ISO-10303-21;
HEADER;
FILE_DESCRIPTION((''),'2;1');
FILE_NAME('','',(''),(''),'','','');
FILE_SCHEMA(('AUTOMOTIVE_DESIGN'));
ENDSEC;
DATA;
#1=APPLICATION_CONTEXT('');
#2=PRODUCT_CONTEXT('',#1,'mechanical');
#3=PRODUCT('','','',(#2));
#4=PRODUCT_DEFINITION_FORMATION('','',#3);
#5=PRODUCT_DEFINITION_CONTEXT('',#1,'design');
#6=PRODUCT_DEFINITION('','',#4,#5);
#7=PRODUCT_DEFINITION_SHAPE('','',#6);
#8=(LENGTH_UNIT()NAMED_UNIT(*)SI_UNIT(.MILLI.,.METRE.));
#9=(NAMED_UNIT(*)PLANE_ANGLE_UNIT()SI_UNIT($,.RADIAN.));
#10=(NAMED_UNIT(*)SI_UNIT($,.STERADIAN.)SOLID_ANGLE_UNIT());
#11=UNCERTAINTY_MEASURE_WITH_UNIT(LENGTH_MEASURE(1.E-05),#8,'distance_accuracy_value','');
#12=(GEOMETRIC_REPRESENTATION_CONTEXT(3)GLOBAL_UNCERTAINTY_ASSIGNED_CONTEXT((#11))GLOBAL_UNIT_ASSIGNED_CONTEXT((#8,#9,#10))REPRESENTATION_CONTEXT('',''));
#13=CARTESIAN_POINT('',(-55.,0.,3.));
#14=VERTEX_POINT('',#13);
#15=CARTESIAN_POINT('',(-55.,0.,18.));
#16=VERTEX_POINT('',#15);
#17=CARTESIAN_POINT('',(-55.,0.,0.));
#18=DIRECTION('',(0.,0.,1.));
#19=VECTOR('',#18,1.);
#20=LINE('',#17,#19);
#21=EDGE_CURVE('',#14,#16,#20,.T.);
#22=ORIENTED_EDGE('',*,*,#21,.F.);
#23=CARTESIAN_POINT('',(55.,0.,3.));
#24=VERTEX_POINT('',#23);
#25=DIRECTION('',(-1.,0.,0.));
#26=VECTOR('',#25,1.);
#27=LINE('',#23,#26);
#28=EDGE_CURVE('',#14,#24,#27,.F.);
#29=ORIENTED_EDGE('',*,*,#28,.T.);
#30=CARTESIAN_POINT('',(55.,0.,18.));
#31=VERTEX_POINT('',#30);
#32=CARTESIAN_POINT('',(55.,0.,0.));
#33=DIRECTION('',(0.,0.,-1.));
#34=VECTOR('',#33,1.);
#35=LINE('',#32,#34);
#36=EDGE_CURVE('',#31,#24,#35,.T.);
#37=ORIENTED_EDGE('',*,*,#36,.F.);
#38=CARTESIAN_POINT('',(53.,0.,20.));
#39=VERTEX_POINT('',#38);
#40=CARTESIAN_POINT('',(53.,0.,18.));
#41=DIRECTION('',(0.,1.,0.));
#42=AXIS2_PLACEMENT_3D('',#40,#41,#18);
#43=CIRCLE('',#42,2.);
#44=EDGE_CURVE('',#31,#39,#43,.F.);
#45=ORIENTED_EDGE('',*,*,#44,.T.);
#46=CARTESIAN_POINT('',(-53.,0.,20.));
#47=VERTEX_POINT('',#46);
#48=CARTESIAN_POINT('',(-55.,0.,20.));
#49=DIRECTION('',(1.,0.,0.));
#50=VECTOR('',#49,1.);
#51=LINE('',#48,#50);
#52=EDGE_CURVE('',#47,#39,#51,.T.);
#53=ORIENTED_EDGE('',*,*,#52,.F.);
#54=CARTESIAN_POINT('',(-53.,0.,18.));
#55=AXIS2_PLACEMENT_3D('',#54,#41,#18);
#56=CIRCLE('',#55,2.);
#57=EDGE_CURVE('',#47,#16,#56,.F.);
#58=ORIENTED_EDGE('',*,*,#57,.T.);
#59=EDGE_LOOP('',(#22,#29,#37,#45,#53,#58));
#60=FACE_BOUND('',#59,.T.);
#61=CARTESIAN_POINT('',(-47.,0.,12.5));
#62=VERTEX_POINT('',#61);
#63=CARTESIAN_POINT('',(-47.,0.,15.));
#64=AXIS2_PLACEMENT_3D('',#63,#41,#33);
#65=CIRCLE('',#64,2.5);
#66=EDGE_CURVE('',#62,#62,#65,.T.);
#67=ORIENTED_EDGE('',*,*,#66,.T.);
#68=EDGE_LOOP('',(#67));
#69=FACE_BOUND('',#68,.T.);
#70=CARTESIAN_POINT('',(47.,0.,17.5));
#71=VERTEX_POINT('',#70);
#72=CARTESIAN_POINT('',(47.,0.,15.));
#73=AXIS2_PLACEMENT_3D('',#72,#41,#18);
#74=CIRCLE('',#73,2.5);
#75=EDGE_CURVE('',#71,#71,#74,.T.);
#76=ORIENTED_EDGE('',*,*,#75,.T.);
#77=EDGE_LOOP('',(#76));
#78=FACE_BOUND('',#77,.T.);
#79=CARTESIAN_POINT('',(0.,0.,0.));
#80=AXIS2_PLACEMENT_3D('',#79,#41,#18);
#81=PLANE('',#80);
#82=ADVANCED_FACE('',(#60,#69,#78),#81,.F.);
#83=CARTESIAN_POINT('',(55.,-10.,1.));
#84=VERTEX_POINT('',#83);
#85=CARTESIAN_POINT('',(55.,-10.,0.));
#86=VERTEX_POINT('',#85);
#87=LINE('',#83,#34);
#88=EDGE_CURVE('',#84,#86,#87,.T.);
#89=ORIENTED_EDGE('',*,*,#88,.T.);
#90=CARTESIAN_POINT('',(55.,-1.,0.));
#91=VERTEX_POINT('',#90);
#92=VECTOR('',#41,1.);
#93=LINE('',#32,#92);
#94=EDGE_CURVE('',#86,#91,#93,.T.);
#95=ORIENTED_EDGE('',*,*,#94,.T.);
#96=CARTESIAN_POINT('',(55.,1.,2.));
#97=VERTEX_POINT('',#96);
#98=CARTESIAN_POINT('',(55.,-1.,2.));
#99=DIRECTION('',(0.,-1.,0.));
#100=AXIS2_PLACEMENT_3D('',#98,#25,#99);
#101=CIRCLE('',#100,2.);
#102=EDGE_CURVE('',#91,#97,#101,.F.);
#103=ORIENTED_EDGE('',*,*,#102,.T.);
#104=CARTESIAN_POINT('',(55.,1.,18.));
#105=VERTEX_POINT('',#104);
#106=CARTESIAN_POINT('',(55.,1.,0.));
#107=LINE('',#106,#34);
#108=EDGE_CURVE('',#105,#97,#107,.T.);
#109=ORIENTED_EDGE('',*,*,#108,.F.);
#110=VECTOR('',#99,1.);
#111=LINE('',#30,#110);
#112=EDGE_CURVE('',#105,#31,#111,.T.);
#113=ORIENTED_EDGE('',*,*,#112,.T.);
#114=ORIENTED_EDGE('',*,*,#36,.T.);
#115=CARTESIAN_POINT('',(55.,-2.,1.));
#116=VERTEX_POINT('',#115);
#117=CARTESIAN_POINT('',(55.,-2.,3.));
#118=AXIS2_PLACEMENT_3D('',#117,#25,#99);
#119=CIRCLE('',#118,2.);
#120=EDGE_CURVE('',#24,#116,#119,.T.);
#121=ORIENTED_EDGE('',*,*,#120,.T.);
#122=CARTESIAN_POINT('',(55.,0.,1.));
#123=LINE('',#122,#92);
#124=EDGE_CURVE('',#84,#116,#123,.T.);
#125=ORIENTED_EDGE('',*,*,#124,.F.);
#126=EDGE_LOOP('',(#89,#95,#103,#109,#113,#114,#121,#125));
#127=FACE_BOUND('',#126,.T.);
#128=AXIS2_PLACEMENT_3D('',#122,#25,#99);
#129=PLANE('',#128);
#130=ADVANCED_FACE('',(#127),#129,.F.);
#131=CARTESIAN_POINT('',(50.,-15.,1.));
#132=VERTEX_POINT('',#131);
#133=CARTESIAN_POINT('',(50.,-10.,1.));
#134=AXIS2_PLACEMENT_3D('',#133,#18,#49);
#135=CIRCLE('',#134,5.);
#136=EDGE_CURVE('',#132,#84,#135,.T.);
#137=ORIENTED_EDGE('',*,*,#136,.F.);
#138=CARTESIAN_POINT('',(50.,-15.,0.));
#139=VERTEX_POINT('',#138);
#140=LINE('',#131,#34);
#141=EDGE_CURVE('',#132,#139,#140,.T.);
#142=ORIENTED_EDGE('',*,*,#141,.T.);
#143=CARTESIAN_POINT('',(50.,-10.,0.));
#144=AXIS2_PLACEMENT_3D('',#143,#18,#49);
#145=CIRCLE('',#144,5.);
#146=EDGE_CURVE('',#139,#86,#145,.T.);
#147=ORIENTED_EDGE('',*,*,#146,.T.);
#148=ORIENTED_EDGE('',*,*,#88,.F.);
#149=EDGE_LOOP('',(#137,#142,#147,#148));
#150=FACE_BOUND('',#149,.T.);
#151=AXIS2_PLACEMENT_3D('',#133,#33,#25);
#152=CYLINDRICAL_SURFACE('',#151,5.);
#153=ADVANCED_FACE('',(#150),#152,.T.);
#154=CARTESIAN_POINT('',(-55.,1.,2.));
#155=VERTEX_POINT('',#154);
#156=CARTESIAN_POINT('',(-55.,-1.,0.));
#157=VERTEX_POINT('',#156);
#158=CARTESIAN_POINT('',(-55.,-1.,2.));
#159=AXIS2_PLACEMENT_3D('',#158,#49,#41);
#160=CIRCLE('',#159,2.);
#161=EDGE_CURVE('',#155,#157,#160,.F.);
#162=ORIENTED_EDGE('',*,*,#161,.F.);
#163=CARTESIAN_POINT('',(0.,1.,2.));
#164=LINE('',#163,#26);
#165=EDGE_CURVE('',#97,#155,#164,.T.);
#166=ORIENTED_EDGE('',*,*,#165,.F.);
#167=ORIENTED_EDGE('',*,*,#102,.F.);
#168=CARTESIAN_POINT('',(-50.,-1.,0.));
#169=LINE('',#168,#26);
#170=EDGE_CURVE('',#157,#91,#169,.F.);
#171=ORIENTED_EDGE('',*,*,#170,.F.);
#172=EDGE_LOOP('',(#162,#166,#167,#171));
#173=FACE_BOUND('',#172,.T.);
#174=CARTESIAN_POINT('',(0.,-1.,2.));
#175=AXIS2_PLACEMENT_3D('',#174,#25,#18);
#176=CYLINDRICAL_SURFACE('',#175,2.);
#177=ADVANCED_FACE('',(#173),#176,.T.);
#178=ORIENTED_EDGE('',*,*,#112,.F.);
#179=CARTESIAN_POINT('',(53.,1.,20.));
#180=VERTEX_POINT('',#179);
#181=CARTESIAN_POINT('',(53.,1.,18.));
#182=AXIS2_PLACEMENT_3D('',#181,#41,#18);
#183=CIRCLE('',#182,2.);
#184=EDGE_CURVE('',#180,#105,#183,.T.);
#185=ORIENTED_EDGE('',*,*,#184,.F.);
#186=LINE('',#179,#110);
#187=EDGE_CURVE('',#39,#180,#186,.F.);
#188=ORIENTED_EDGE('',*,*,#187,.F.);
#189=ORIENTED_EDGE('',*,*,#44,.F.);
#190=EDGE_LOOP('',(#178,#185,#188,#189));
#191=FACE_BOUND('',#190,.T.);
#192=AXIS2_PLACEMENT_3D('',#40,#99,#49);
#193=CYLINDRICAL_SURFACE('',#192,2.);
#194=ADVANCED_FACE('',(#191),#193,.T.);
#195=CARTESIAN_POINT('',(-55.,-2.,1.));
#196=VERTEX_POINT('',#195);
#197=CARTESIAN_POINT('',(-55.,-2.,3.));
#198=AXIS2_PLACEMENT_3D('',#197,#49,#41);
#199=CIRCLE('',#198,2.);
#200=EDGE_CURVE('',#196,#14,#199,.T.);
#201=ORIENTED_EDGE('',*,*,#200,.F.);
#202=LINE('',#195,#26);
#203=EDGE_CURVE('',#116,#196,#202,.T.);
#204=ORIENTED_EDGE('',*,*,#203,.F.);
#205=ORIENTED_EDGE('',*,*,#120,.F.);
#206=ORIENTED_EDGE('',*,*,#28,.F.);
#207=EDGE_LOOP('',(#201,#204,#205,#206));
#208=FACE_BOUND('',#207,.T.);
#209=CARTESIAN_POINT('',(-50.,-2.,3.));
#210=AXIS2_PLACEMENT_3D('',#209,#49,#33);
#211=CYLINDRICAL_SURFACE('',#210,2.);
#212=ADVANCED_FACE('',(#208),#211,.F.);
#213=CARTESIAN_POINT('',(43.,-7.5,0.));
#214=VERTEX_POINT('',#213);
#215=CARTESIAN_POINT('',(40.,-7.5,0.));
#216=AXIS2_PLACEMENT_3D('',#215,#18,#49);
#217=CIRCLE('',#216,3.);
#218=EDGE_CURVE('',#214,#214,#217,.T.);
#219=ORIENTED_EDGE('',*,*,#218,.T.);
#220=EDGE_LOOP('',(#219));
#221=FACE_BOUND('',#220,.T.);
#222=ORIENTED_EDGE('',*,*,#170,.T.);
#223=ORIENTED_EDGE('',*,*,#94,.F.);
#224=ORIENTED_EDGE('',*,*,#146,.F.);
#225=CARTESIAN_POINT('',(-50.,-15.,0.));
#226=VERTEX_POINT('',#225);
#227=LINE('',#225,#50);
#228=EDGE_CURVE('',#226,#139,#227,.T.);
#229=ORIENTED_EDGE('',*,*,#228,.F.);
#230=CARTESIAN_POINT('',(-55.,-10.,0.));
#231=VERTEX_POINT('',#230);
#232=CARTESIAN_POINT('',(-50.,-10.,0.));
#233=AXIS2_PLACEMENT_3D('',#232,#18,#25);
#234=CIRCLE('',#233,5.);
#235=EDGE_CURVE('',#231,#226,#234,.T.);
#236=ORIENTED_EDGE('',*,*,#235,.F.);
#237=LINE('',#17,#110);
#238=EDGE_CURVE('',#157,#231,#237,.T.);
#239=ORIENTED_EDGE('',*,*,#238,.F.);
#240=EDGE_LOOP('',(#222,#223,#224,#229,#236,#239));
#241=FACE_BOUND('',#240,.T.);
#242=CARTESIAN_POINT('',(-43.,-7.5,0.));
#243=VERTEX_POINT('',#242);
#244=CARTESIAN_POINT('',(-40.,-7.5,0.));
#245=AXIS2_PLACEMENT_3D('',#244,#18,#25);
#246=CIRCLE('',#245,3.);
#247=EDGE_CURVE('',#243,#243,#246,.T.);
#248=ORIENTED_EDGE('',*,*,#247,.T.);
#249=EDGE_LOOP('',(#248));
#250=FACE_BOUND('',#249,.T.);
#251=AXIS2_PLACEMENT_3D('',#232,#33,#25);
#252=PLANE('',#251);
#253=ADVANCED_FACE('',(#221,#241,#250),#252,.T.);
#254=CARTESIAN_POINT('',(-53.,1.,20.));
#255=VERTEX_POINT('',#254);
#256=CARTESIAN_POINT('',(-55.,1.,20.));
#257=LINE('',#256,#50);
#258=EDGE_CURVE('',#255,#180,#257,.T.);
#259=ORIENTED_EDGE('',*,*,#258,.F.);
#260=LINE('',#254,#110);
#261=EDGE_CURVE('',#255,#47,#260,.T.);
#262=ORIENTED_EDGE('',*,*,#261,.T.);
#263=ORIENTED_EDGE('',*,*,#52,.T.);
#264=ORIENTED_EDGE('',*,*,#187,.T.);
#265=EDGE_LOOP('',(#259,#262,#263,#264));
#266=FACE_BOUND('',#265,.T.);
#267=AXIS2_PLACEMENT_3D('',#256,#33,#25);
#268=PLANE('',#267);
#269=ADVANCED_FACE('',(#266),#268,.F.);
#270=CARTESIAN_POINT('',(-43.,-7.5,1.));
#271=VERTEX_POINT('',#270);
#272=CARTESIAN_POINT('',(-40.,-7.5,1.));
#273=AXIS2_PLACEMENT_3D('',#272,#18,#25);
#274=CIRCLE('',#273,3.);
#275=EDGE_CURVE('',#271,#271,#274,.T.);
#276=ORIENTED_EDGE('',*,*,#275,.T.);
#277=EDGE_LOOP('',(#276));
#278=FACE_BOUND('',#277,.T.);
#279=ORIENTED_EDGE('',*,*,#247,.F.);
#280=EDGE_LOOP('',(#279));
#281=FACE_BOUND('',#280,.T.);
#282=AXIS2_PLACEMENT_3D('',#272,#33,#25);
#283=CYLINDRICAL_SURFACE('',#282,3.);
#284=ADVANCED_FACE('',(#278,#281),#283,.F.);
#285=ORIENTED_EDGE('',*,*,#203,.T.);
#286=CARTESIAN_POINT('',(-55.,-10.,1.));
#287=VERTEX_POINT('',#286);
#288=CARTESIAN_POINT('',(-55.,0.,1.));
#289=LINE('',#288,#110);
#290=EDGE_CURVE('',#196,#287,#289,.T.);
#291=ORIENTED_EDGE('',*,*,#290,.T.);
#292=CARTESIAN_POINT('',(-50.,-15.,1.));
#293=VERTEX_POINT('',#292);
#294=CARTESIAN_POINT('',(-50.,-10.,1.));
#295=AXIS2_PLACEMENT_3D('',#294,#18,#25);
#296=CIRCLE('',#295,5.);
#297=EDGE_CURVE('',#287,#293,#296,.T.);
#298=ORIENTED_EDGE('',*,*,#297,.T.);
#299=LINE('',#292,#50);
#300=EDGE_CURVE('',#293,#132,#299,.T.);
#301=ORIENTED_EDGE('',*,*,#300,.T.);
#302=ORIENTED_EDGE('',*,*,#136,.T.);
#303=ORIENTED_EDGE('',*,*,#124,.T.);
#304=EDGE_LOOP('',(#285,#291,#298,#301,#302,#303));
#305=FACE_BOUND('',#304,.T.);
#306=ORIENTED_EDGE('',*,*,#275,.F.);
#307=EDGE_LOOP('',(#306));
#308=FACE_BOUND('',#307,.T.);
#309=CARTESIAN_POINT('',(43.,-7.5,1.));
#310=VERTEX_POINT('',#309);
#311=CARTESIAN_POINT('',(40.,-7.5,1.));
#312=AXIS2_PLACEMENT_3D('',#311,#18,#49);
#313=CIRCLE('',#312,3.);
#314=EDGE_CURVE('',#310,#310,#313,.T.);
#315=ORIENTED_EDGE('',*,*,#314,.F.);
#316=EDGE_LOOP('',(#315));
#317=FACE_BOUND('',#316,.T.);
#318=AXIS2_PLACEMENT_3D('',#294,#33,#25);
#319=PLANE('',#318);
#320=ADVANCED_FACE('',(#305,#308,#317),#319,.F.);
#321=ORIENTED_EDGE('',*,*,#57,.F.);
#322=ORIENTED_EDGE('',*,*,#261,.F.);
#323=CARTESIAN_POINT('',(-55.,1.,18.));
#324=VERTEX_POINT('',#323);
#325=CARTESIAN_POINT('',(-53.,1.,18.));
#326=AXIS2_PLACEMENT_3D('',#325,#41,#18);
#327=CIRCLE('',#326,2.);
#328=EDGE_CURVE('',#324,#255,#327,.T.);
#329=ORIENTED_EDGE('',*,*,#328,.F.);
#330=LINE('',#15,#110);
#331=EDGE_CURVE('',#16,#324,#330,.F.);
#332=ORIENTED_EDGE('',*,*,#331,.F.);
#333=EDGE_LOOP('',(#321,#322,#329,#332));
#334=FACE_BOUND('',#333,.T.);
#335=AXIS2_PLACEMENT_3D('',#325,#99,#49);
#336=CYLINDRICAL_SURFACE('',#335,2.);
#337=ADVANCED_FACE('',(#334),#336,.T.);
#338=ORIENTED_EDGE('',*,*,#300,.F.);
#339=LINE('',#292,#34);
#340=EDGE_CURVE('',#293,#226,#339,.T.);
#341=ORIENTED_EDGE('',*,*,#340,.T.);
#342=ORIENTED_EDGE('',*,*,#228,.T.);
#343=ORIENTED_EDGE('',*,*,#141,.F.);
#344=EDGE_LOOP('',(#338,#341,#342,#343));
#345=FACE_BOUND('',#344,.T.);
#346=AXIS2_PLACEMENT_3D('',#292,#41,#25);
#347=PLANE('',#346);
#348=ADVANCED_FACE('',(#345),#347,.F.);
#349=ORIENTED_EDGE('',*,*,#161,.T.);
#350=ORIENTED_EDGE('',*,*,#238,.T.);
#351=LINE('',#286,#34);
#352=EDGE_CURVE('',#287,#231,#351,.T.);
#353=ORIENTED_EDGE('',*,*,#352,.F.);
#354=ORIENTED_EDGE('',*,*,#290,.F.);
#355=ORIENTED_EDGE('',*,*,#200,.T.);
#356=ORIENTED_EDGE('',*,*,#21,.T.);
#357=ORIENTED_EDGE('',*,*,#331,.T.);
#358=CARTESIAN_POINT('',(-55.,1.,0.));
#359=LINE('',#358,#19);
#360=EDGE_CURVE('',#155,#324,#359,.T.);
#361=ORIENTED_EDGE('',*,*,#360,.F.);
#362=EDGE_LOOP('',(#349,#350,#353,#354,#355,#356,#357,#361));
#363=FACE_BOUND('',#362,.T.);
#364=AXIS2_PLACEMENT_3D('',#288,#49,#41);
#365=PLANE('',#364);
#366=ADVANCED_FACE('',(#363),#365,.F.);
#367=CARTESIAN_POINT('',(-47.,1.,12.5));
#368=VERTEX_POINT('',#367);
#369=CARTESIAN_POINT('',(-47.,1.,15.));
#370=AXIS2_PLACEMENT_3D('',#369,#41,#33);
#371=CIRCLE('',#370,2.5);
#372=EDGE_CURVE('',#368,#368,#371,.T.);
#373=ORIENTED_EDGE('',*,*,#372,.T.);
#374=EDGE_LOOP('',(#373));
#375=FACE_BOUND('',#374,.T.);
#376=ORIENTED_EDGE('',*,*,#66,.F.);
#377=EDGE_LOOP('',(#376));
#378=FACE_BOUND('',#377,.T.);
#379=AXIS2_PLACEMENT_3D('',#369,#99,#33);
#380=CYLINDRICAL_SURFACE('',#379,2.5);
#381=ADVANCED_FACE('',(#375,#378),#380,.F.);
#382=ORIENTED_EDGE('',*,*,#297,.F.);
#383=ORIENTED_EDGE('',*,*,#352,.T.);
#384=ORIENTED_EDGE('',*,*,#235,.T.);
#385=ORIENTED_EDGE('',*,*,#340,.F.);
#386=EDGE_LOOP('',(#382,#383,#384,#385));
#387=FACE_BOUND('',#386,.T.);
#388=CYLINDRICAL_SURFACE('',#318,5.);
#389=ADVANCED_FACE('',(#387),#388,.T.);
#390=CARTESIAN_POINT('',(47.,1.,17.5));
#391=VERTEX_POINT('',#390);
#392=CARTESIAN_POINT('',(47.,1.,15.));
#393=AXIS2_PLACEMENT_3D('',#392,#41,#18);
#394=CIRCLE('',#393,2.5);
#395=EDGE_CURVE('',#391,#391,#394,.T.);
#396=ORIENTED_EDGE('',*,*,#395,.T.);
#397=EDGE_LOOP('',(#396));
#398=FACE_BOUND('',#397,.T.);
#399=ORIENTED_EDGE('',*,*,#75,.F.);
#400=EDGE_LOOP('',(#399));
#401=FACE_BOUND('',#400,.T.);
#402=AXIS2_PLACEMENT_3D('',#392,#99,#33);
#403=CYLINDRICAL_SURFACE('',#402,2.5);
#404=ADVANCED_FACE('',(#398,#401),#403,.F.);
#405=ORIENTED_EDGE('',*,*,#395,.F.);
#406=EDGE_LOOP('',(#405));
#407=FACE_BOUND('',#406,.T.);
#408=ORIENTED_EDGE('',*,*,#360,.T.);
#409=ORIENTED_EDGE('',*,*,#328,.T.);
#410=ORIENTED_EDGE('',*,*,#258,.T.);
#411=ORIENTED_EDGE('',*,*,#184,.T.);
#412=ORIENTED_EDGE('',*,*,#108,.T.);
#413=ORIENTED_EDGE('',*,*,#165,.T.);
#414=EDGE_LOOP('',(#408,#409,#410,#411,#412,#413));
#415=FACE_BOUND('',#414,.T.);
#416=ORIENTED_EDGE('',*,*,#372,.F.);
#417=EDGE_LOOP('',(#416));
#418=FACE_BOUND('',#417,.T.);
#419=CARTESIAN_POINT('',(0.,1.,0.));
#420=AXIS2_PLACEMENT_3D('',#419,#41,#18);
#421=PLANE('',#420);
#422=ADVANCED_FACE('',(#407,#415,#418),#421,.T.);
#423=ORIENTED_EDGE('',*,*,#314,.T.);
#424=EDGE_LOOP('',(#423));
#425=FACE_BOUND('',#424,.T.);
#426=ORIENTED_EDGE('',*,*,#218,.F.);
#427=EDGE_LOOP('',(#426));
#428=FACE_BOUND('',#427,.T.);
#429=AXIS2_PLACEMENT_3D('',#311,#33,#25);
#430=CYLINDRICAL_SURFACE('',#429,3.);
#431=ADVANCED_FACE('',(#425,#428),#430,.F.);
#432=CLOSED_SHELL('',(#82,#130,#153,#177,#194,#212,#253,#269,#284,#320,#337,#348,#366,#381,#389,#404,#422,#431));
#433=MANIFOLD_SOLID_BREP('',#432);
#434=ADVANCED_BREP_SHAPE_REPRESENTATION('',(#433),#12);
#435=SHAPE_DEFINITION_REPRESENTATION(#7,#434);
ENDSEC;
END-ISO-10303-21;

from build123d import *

# Parameters (mm, degrees)
SKETCH1_R           = 3
BOSS_EXTRUDE1_DEPTH = 1
SKETCH2_W           = 110
SKETCH2_H           = 20
SKETCH2_R           = 2.5
BOSS_EXTRUDE2_DEPTH = 1
FILLET1_R           = 2


with BuildPart() as part:
    # Sketch1 → Boss-Extrude1 (new body)
    with BuildSketch(Plane.XY):
        with BuildLine():
            Line((-55, 0), (55, 0))
            Line((55, 0), (55, -10))
            ThreePointArc((55, -10), (53.535533906, -13.535533906), (50, -15))
            Line((50, -15), (-50, -15))
            ThreePointArc((-50, -15), (-53.535533906, -13.535533906), (-55, -10))
            Line((-55, -10), (-55, 0))
        make_face()
        with Locations((40, -7.5)):
            Circle(SKETCH1_R, mode=Mode.SUBTRACT)
        with Locations(Location((-40, -7.5, 0), (0, 0, 180))):
            Circle(SKETCH1_R, mode=Mode.SUBTRACT)
    extrude(amount=BOSS_EXTRUDE1_DEPTH)

    # Sketch2 → Boss-Extrude2 (add)
    with BuildSketch(Plane(origin=(0, 0, 0), x_dir=(1, 0, 0), z_dir=(0, 1, 0))):
        with Locations((0, -10)):
            Rectangle(SKETCH2_W, SKETCH2_H)
        with Locations(Location((47, -15, 0), (0, 0, 270))):
            Circle(SKETCH2_R, mode=Mode.SUBTRACT)
        with Locations(Location((-47, -15, 0), (0, 0, 90))):
            Circle(SKETCH2_R, mode=Mode.SUBTRACT)
    extrude(amount=BOSS_EXTRUDE2_DEPTH)

    # Fillet1
    fillet1_edges = [part.edges().sort_by_distance(p)[0] for p in [
        (0, 0, 1),
        (0, 1, 0),
        (55, 0.5, 20),
        (-55, 0.5, 20),
    ]]
    fillet(fillet1_edges, radius=FILLET1_R)


solid = part.part
